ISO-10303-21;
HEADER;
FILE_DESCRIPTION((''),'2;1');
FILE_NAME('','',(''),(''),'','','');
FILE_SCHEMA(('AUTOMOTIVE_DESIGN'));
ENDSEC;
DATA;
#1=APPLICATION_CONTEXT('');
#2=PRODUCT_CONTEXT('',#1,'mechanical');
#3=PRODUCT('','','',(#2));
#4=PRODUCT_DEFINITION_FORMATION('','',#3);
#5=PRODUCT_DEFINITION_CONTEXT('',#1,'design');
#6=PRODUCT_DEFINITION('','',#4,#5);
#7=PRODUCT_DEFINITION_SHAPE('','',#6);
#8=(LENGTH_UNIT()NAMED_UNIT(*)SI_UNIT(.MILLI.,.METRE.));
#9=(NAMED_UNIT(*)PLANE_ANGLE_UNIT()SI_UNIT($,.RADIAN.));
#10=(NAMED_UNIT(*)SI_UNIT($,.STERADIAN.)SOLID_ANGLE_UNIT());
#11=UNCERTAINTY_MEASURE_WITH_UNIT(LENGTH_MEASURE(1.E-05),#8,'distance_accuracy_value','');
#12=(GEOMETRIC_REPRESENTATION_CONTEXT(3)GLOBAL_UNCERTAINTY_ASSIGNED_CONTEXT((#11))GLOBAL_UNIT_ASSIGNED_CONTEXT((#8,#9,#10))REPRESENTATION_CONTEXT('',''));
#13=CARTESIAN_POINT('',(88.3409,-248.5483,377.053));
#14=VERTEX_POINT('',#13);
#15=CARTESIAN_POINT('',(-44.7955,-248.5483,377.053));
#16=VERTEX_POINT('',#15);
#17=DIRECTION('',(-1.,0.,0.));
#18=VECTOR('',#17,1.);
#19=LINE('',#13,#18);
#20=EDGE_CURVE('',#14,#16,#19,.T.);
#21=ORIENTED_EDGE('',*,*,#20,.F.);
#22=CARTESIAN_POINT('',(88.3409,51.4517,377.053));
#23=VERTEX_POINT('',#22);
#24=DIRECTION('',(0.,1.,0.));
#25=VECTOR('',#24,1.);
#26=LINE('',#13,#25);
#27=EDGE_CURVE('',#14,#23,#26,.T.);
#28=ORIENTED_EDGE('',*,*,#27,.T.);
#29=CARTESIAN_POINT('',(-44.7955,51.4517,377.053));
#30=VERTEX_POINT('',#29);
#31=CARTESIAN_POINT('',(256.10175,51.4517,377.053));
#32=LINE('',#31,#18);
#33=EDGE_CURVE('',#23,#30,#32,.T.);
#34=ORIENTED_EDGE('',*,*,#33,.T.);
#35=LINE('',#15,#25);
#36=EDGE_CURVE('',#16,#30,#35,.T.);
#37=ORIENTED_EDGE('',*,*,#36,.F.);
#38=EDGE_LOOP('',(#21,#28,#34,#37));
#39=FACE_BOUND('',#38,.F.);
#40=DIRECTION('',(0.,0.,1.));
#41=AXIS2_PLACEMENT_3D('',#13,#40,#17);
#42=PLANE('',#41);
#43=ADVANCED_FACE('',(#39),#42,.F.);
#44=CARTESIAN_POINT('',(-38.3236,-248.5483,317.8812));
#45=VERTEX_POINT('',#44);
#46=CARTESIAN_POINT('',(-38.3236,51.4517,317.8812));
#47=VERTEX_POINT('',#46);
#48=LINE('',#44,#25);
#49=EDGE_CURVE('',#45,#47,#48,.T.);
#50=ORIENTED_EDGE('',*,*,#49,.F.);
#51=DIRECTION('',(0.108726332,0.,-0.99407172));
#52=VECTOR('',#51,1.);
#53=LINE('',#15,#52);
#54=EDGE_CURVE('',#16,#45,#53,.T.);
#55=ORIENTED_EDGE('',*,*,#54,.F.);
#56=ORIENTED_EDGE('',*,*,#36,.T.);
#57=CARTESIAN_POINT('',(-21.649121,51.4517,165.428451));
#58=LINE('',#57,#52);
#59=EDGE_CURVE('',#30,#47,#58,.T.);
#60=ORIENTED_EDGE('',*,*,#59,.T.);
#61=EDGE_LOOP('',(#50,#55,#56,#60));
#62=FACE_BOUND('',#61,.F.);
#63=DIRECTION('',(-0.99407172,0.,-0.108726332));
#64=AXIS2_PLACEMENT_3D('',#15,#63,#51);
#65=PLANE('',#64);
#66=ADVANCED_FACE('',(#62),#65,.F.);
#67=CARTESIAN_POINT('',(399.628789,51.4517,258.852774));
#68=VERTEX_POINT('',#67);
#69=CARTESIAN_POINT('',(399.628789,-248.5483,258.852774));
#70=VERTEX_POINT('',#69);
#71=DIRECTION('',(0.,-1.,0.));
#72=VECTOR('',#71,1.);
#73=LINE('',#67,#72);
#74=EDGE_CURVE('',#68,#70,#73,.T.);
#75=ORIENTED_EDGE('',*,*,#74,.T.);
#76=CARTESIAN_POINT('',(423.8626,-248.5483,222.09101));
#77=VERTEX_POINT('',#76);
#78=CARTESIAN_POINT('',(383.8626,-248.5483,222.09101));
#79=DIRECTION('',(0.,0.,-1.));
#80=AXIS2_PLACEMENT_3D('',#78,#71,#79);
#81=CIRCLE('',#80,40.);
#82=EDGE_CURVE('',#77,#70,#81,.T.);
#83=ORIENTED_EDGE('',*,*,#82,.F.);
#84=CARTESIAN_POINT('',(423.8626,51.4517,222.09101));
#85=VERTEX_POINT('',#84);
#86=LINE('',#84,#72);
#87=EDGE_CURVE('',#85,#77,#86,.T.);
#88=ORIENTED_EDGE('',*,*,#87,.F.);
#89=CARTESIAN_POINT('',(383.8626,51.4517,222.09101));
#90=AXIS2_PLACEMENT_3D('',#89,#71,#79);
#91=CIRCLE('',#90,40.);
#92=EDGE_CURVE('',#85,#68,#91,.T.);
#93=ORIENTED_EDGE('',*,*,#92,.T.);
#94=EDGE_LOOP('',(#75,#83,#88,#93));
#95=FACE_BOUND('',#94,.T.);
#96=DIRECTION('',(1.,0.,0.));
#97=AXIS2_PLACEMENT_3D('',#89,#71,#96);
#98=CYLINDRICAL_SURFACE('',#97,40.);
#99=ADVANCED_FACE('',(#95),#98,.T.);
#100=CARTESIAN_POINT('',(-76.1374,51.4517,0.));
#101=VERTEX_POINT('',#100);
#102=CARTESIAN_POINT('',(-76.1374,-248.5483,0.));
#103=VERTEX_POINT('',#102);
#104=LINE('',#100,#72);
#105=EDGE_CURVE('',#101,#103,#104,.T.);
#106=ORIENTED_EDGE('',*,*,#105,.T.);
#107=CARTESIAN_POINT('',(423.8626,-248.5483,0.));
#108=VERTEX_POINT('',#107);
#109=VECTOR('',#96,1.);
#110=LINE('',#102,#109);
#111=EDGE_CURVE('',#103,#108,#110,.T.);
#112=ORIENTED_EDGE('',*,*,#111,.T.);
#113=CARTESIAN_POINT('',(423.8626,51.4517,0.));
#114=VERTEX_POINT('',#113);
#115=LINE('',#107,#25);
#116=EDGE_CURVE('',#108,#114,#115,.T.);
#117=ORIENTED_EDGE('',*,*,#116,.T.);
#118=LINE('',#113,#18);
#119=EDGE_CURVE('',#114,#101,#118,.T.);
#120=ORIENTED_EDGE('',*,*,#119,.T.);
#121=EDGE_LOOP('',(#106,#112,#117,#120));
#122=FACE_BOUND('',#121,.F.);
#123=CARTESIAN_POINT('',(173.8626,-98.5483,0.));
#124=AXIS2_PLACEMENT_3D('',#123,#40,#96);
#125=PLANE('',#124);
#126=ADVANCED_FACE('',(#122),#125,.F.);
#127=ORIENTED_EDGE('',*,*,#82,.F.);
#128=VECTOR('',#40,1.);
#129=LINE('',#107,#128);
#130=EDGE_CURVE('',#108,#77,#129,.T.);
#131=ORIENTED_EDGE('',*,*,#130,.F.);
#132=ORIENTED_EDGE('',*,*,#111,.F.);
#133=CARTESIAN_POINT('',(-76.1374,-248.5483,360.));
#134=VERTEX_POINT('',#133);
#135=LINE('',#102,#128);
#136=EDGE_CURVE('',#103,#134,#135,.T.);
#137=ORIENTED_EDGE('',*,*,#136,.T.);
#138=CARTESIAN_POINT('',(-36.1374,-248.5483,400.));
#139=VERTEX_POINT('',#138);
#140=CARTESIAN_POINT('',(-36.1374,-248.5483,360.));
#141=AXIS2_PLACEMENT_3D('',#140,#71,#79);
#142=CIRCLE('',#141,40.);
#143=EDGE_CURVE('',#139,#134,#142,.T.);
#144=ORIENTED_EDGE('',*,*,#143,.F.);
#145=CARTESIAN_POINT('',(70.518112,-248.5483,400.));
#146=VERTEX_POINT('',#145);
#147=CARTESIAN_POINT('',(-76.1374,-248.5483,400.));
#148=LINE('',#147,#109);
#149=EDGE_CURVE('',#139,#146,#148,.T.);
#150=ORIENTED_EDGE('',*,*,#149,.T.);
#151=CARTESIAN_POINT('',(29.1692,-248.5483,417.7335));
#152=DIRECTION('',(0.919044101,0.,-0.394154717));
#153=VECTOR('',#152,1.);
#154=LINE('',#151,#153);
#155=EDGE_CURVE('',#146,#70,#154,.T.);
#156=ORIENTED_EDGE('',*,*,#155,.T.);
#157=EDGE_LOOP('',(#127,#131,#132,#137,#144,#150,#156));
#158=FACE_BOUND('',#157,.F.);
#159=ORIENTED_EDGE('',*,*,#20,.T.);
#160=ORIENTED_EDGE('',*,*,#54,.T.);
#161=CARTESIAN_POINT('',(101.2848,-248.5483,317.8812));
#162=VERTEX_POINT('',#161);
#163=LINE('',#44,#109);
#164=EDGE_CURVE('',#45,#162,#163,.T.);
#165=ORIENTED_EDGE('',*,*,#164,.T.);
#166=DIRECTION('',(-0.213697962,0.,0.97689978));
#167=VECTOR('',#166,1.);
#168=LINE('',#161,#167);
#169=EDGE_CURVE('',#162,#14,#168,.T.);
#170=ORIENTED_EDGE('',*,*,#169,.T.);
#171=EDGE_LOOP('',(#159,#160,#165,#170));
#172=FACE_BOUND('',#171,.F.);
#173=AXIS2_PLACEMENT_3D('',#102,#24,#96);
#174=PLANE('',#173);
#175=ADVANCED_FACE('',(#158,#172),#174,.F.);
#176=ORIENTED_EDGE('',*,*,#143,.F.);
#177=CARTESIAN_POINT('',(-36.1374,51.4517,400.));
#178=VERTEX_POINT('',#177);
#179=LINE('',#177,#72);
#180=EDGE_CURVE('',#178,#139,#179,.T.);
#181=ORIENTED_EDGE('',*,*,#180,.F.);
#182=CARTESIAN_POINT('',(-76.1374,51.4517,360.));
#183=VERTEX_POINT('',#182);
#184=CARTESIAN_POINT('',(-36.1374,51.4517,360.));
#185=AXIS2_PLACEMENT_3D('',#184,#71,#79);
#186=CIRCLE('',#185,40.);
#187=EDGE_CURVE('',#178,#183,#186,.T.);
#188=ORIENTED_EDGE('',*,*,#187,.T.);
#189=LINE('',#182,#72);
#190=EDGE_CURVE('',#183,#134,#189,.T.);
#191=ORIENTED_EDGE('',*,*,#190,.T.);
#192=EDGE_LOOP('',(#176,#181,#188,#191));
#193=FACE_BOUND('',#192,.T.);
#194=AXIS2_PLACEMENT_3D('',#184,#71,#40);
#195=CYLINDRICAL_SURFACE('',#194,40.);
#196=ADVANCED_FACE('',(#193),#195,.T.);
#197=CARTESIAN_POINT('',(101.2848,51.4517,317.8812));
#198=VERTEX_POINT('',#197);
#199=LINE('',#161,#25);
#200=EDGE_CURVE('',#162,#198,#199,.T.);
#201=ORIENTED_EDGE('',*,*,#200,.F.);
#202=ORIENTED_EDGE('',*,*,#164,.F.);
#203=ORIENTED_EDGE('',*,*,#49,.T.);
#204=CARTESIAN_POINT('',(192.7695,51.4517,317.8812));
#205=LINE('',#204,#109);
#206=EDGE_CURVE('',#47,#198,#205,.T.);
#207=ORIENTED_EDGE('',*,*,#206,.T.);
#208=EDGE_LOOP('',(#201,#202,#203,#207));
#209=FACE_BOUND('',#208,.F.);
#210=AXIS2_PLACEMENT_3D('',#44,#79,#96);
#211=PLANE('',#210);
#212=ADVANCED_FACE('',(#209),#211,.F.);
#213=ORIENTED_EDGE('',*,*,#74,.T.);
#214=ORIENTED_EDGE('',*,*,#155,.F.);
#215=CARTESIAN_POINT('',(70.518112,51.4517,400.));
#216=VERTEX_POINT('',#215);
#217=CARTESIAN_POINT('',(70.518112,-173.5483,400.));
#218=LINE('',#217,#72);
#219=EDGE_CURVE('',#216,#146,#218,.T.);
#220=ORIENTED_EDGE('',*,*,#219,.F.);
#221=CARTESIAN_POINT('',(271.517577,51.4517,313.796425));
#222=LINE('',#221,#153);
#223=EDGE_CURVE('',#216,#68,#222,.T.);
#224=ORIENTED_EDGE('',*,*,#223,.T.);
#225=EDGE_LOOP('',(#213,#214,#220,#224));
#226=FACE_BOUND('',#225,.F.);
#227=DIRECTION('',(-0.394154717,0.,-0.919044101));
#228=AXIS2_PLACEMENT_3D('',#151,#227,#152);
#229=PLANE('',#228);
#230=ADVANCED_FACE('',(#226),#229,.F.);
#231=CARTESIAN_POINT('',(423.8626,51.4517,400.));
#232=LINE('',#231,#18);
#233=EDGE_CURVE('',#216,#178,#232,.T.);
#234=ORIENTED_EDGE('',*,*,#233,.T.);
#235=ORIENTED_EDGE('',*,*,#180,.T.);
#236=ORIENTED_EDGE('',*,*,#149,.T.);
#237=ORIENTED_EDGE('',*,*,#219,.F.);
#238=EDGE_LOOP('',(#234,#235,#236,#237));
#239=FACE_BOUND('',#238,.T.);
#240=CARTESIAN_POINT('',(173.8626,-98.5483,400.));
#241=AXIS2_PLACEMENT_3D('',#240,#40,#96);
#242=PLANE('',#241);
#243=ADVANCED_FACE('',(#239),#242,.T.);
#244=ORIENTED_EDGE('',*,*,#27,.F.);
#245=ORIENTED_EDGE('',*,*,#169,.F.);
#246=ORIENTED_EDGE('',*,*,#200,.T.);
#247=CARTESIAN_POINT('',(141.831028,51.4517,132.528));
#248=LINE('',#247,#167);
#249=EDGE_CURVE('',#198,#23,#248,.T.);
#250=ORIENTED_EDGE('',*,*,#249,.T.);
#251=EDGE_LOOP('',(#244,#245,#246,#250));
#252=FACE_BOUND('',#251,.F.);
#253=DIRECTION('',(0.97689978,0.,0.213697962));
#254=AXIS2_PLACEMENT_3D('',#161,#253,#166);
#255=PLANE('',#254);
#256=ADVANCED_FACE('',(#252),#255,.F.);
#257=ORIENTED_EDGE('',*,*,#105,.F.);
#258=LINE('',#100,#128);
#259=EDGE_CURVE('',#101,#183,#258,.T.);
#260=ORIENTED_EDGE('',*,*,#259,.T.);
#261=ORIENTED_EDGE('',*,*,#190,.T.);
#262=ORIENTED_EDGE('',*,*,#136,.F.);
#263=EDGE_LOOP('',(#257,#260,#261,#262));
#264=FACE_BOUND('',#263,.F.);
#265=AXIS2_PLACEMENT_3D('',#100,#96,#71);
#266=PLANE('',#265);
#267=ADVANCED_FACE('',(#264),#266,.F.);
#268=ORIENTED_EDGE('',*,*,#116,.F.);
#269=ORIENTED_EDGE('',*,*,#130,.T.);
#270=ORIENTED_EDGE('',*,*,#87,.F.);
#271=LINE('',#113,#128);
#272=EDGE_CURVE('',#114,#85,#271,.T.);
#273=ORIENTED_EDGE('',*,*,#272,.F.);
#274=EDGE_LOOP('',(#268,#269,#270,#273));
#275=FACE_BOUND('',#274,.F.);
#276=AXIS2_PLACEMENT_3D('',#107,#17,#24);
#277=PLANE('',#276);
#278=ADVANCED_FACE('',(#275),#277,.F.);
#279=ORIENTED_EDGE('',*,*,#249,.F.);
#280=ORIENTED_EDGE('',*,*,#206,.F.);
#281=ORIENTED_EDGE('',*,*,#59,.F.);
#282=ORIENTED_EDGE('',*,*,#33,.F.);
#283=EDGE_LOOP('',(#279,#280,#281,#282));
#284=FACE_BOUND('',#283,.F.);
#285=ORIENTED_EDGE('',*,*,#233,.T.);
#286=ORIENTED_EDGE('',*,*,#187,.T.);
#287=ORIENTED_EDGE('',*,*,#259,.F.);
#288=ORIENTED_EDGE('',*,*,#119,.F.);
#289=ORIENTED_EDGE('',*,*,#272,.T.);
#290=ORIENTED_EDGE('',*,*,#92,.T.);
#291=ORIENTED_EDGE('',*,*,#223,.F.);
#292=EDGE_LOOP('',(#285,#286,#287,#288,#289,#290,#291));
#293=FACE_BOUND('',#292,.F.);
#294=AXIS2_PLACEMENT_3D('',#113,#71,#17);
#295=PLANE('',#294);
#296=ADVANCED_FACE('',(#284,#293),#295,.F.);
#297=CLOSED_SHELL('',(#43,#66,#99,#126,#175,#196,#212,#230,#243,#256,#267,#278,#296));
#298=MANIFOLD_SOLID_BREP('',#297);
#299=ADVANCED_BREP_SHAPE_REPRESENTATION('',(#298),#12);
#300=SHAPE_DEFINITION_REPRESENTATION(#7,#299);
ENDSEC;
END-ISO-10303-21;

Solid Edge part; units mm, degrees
sketch "Sketch1" plane through (0, 0, 0) normal (0, 0, 1) x (1, 0, 0)
  line L0 (-76.1374, -248.5483) -> (423.8626, -248.5483)
  line L1 (423.8626, -248.5483) -> (423.8626, 51.4517)
  line L2 (423.8626, 51.4517) -> (-76.1374, 51.4517)
  line L3 (-76.1374, 51.4517) -> (-76.1374, -248.5483)
  dimension "D1" = 300
  dimension "D2" = 500
extrude "Protrusion1" add sketch "Sketch1" along normal blind 400
sketch "Sketch2" plane through (173.8626, -248.5483, 200) normal (0, -1, 0) x (1, 0, 0)
  line L0 (-144.6934, 217.7335) -> (290.7737, 30.9727)
  line L1 (290.7737, 30.9727) -> (282.4526, 244.5457)
  line L2 (282.4526, 244.5457) -> (-144.6934, 217.7335)
  line L3 (-218.6581, 177.053) -> (-212.1862, 117.8812)
  line L4 (-212.1862, 117.8812) -> (-72.5778, 117.8812)
  line L5 (-72.5778, 117.8812) -> (-85.5217, 177.053)
  line L6 (-85.5217, 177.053) -> (-218.6581, 177.053)
extrude "Cutout1" cut sketch "Sketch2" against normal through all
fillet "Round_3" radius 40 2 edges at (-76.1374, -98.5483, 400) (423.8626, -98.5483, 248.4595)
properties material "Aluminum, 6061-T6"
